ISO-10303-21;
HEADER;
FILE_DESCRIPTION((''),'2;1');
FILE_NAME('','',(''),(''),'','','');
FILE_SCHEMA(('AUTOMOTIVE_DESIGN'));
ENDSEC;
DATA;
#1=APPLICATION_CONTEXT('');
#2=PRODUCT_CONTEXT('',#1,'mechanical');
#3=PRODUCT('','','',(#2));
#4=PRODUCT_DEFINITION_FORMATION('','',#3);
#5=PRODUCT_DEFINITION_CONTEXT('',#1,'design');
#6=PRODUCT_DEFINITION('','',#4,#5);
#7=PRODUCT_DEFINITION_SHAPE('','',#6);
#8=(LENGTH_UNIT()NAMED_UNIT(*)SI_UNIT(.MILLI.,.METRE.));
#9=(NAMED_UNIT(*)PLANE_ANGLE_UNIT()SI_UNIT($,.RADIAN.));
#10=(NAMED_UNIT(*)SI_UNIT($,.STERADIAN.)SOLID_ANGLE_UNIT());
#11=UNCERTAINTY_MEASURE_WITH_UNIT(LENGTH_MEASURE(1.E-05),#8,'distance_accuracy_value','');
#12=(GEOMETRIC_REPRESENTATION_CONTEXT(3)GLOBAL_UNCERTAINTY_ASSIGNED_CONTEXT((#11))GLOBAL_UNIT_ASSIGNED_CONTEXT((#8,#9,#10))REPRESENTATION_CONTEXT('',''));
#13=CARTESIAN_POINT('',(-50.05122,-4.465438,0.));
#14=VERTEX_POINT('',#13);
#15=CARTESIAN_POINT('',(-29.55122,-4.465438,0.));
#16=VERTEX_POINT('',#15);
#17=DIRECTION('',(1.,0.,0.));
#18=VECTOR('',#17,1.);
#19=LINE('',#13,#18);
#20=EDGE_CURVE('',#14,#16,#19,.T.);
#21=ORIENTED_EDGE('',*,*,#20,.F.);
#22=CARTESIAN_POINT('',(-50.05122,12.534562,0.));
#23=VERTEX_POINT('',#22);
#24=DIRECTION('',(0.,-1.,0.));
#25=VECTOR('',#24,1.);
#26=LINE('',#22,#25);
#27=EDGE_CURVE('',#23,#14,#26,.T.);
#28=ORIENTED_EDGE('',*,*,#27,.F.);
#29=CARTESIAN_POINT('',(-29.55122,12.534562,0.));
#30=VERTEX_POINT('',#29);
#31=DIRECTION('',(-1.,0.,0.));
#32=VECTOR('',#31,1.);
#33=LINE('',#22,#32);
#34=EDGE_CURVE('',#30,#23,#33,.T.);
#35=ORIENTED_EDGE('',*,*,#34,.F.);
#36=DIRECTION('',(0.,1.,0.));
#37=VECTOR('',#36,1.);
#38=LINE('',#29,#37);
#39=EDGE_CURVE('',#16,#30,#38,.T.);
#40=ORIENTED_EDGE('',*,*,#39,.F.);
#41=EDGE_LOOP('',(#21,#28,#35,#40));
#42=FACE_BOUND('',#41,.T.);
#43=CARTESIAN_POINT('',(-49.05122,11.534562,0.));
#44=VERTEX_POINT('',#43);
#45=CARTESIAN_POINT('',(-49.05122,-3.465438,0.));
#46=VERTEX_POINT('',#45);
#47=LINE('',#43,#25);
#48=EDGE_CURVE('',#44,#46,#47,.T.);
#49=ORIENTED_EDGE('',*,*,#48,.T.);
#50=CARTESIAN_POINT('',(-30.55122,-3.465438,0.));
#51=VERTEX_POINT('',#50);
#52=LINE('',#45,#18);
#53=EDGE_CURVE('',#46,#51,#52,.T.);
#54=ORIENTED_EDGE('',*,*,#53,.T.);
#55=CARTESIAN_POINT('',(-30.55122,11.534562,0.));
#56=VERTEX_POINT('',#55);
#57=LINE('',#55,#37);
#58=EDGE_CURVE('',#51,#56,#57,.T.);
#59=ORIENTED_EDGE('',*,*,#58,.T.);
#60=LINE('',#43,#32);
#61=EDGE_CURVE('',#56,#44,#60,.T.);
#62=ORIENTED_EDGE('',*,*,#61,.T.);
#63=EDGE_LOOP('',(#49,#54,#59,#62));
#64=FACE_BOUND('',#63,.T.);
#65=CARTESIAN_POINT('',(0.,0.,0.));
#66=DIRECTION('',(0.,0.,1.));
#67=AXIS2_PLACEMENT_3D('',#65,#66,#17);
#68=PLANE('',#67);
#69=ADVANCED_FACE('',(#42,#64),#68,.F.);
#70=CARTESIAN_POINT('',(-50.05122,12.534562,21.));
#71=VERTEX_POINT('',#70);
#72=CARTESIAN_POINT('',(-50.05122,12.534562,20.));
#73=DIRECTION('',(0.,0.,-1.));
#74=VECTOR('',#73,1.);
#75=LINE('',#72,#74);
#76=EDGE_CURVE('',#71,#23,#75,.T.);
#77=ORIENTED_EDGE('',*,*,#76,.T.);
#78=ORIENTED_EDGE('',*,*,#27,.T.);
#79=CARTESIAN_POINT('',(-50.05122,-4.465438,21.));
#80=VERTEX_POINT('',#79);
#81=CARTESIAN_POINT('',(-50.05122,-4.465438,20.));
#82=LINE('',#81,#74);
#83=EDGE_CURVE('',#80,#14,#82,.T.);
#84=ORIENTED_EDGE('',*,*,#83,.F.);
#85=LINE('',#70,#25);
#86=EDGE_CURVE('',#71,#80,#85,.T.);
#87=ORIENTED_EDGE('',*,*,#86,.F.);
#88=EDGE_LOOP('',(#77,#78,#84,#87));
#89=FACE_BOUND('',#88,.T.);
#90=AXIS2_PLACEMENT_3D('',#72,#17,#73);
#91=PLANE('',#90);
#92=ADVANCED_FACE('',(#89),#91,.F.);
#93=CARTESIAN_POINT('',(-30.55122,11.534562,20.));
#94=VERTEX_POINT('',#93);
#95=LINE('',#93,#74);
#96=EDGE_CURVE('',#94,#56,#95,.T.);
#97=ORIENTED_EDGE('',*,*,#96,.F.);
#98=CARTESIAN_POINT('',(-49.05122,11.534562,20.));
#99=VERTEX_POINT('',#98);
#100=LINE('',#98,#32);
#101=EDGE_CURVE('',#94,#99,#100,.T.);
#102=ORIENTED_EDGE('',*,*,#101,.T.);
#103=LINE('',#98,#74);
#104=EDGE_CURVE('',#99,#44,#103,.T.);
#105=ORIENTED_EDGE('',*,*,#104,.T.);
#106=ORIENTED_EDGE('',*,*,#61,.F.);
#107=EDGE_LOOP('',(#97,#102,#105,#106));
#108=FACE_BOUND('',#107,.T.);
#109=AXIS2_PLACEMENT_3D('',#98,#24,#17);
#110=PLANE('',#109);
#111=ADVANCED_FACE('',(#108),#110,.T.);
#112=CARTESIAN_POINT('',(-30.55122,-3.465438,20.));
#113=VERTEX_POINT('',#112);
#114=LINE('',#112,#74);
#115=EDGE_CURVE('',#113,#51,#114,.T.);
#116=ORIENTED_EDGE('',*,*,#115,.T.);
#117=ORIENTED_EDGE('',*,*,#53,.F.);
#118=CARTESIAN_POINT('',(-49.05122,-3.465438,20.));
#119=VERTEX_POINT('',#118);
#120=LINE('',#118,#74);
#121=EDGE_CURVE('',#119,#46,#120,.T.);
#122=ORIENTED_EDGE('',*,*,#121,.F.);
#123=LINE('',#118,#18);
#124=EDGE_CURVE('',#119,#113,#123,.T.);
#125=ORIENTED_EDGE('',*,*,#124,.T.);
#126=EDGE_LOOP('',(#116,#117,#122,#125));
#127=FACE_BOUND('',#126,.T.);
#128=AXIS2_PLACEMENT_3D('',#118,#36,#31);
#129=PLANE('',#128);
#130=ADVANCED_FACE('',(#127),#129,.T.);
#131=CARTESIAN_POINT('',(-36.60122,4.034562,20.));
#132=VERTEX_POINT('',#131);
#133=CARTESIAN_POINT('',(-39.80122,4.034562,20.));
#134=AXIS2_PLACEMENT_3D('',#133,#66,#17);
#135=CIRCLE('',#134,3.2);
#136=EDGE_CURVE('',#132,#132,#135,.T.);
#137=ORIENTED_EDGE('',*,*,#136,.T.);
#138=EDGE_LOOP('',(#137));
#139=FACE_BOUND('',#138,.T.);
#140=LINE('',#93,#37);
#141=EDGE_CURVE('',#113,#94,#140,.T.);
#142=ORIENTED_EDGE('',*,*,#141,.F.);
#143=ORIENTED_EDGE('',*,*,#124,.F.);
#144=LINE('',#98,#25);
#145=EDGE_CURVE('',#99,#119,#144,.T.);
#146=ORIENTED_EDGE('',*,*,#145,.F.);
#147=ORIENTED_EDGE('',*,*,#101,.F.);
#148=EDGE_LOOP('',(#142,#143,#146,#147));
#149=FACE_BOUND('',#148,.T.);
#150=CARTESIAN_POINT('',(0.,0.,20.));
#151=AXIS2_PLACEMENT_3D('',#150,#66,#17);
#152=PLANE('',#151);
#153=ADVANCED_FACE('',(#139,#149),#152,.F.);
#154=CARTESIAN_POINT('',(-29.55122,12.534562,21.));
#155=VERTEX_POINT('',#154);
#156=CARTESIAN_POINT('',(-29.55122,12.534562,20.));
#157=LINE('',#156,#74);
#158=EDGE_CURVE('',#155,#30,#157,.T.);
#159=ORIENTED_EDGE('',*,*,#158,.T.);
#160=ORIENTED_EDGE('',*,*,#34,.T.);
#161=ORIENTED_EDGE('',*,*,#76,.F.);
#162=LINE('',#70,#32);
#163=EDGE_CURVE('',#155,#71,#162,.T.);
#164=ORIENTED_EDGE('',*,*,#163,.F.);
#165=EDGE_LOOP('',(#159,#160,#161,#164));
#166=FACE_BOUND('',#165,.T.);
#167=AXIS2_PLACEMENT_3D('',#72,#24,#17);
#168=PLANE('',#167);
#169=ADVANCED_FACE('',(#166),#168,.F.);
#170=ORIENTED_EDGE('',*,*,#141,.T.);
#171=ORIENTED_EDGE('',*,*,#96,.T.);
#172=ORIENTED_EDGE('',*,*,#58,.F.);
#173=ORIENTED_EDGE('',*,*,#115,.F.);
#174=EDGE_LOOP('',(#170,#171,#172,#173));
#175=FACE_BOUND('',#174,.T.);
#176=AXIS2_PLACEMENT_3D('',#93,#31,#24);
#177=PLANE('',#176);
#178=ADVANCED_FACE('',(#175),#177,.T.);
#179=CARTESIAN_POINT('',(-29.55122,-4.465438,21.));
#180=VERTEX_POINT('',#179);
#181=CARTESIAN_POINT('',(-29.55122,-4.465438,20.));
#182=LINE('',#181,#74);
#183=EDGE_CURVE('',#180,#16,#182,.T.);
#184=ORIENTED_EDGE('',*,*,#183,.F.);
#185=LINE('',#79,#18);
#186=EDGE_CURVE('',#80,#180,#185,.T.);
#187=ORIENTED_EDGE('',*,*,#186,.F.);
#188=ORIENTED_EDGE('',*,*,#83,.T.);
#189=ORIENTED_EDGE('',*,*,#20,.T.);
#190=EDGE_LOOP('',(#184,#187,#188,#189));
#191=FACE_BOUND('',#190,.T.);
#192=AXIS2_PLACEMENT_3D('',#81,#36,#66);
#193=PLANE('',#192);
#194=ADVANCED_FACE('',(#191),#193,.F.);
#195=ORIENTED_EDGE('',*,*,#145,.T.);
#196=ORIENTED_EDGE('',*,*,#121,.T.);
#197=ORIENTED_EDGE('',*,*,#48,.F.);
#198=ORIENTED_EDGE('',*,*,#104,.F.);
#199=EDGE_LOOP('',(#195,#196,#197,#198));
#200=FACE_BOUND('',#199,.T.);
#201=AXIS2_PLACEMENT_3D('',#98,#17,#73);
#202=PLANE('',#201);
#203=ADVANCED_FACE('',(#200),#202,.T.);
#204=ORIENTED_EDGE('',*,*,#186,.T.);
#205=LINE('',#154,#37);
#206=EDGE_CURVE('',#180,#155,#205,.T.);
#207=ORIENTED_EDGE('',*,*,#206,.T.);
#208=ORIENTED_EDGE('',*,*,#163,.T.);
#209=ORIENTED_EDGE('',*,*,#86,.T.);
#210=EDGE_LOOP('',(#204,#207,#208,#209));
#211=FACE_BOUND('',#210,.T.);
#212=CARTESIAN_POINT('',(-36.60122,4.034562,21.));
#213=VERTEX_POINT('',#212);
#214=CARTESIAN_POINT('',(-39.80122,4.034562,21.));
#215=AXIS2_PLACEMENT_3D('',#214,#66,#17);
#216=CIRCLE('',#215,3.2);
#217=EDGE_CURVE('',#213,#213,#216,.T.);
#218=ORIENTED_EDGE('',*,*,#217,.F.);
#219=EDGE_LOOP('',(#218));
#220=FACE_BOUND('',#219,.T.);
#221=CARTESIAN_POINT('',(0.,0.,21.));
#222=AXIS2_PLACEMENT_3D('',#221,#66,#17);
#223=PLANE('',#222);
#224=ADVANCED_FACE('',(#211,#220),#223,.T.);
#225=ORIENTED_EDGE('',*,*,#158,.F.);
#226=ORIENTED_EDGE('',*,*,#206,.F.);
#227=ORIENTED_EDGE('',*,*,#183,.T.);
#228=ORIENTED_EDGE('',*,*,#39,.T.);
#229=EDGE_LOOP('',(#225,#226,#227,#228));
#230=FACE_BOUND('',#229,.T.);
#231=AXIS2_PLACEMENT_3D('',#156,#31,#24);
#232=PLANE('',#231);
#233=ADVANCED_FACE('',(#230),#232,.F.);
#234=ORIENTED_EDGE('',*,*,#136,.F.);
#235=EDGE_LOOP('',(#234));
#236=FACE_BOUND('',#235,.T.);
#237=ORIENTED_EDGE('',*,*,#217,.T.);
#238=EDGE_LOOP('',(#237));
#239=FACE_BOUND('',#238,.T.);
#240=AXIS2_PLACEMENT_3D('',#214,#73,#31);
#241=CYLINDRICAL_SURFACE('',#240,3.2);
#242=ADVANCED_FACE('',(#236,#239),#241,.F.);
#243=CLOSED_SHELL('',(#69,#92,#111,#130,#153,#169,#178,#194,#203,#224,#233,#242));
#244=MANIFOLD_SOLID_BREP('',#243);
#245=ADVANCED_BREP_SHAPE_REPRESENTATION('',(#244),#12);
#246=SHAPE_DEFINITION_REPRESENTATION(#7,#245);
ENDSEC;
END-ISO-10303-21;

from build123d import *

# Parameters (mm, degrees)
CROQUIS1_W              = 20.5
CROQUIS1_H              = 17
CROQUIS1_W_2            = 18.5
CROQUIS1_H_2            = 15
SALIENTE_EXTRUIR1_DEPTH = 20
CROQUIS2_W              = 20.5
CROQUIS2_H              = 17
CROQUIS2_R              = 3.2
SALIENTE_EXTRUIR2_DEPTH = 1


with BuildPart() as part:
    # Croquis1 → Saliente-Extruir1 (new body)
    with BuildSketch(Plane.XY):
        with Locations((-39.801220416, 4.034561614)):
            Rectangle(CROQUIS1_W, CROQUIS1_H)
        with Locations((-39.801220416, 4.034561614)):
            Rectangle(CROQUIS1_W_2, CROQUIS1_H_2, mode=Mode.SUBTRACT)
    extrude(amount=SALIENTE_EXTRUIR1_DEPTH)

    # Croquis2 → Saliente-Extruir2 (add)
    with BuildSketch(Plane.XY.offset(20)):
        with Locations((-39.801220416, 4.034561614)):
            Rectangle(CROQUIS2_W, CROQUIS2_H)
        with Locations((-39.801220416, 4.034561614)):
            Circle(CROQUIS2_R, mode=Mode.SUBTRACT)
    extrude(amount=SALIENTE_EXTRUIR2_DEPTH)


solid = part.part
